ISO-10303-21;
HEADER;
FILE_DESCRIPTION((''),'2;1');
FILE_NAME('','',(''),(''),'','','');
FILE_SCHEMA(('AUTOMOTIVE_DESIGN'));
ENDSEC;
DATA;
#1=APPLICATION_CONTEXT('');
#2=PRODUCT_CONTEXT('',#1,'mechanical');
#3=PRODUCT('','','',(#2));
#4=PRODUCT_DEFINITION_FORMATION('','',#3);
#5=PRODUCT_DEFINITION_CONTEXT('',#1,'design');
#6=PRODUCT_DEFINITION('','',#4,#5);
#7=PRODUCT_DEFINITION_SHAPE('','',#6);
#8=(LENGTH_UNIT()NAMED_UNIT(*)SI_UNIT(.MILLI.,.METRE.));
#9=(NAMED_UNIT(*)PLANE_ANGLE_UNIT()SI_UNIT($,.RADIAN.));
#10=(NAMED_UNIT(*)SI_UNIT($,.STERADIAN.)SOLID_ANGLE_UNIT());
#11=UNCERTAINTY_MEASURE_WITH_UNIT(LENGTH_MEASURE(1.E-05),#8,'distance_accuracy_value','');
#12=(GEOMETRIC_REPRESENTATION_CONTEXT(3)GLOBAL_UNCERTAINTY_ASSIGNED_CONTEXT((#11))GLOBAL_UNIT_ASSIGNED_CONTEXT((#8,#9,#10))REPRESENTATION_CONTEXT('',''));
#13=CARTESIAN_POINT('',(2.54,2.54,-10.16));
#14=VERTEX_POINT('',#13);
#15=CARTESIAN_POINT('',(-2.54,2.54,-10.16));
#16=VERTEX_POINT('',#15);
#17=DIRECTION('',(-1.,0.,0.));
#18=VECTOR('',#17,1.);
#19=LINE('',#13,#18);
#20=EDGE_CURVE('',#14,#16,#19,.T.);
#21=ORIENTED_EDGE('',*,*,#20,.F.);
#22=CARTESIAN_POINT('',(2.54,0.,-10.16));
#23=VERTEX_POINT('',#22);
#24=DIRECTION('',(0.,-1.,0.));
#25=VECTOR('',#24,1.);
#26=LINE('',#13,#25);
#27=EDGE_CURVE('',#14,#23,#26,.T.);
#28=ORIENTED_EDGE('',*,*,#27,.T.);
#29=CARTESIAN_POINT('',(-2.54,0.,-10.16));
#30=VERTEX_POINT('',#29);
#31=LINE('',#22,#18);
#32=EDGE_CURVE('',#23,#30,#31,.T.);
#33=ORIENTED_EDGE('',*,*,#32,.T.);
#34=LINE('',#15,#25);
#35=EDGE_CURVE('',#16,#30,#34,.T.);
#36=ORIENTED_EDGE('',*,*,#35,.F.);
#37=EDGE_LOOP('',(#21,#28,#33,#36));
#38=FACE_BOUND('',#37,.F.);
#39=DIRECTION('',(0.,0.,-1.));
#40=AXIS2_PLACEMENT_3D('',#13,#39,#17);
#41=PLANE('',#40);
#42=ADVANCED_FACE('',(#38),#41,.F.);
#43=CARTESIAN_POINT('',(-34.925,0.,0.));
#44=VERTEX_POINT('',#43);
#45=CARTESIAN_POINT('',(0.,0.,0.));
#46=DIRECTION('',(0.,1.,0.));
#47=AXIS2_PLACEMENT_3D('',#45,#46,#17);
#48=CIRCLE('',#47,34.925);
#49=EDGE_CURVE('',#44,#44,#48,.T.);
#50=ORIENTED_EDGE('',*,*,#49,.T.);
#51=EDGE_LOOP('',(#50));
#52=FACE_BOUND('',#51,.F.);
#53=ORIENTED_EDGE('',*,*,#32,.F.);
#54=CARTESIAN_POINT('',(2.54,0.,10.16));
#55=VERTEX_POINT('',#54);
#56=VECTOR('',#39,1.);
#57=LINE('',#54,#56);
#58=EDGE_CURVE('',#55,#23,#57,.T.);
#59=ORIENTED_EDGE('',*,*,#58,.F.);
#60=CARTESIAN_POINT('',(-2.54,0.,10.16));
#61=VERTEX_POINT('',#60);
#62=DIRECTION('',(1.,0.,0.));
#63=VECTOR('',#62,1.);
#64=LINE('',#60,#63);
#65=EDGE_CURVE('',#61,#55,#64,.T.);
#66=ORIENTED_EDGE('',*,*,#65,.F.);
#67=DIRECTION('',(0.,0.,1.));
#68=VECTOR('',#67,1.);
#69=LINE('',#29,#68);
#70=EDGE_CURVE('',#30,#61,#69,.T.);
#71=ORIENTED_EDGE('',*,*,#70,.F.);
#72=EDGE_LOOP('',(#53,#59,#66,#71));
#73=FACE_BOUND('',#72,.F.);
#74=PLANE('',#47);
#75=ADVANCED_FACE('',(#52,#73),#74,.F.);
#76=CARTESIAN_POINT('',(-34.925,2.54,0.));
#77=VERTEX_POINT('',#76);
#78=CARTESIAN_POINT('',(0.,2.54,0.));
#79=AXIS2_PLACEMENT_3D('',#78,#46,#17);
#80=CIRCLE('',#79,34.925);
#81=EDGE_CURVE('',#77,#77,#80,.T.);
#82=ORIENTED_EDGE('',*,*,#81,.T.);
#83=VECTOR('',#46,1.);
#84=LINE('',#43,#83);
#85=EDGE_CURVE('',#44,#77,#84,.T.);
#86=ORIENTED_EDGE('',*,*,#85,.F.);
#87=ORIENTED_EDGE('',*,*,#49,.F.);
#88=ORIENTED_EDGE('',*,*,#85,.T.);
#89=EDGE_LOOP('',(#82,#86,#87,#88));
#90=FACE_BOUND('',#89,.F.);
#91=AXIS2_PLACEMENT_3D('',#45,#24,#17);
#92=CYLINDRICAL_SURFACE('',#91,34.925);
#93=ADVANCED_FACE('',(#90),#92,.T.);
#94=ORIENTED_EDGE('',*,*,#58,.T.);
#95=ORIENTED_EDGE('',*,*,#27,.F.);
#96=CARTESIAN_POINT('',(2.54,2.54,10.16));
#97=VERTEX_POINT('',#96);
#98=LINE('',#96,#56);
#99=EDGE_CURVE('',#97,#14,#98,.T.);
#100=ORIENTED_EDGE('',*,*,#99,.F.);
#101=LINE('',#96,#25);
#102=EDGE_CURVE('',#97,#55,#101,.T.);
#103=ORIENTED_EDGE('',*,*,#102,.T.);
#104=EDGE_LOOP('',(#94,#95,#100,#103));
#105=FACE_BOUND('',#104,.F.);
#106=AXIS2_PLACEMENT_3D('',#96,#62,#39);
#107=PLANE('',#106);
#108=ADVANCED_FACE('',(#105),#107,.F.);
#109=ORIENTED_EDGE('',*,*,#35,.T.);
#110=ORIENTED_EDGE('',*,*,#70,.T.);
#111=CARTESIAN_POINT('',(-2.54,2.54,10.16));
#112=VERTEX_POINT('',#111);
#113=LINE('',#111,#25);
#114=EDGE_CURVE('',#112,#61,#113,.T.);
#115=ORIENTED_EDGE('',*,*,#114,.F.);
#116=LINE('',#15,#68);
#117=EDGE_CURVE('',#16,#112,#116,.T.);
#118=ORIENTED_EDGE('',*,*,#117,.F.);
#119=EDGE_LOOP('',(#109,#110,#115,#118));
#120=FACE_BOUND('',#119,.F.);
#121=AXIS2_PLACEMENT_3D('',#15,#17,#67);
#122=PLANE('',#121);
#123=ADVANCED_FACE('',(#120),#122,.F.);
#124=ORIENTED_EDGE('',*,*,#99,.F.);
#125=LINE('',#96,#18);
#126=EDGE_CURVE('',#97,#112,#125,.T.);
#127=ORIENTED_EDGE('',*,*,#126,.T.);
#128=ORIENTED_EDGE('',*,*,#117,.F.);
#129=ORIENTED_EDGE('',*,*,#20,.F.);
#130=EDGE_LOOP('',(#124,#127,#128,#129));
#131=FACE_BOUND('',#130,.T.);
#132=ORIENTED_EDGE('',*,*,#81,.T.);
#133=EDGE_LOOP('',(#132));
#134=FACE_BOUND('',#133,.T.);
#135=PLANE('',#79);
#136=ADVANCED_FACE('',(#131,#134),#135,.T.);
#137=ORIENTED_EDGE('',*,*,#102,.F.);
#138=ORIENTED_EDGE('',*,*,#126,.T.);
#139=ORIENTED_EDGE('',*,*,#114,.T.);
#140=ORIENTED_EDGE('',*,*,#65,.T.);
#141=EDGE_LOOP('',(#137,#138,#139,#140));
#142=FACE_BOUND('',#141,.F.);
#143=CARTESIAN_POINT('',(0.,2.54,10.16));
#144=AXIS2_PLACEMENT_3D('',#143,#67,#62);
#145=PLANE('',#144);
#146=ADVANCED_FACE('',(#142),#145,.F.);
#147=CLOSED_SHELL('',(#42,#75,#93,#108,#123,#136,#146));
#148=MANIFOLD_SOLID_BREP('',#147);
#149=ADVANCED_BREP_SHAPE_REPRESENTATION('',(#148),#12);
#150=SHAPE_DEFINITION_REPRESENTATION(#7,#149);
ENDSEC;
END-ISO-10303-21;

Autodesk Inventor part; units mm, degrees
ref_plane "YZ Plane" through (0, 0, 0) normal (1, 0, 0) x (0, 1, 0)
ref_plane "XZ Plane" through (0, 0, 0) normal (0, 1, 0) x (-1, 0, 0)
ref_plane "XY Plane" through (0, 0, 0) normal (0, 0, 1) x (1, 0, 0)
sketch "Sketch1" plane through (0, 0, 0) normal (0, 1, 0) x (-1, 0, 0)
  circle A0 centre (0, 0) radius 34.925
  dimension "d0" = 69.85
extrude "Extrusion1" add sketch "Sketch1" along normal blind 2.54
sketch "Sketch2" plane through (0, 2.54, 0) normal (0, 1, 0) x (1, 0, 0)
  line L0 (0, 0) -> (0, -10.16)
  line L1 (0, -10.16) -> (-2.54, -10.16)
  line L2 (-2.54, -10.16) -> (2.54, -10.16)
  line L3 (2.54, -10.16) -> (2.54, 10.16)
  line L4 (2.54, 10.16) -> (-2.54, 10.16)
  line L5 (-2.54, 10.16) -> (-2.54, -10.16)
  dimension "d3" = 10.16
  dimension "d4" = 2.54
  dimension "d5" = 5.08
  dimension "d6" = 20.32
extrude "Extrusion2" cut sketch "Sketch2" against normal blind 2.54
properties part number "open5" material "Plastic, Transparent"
